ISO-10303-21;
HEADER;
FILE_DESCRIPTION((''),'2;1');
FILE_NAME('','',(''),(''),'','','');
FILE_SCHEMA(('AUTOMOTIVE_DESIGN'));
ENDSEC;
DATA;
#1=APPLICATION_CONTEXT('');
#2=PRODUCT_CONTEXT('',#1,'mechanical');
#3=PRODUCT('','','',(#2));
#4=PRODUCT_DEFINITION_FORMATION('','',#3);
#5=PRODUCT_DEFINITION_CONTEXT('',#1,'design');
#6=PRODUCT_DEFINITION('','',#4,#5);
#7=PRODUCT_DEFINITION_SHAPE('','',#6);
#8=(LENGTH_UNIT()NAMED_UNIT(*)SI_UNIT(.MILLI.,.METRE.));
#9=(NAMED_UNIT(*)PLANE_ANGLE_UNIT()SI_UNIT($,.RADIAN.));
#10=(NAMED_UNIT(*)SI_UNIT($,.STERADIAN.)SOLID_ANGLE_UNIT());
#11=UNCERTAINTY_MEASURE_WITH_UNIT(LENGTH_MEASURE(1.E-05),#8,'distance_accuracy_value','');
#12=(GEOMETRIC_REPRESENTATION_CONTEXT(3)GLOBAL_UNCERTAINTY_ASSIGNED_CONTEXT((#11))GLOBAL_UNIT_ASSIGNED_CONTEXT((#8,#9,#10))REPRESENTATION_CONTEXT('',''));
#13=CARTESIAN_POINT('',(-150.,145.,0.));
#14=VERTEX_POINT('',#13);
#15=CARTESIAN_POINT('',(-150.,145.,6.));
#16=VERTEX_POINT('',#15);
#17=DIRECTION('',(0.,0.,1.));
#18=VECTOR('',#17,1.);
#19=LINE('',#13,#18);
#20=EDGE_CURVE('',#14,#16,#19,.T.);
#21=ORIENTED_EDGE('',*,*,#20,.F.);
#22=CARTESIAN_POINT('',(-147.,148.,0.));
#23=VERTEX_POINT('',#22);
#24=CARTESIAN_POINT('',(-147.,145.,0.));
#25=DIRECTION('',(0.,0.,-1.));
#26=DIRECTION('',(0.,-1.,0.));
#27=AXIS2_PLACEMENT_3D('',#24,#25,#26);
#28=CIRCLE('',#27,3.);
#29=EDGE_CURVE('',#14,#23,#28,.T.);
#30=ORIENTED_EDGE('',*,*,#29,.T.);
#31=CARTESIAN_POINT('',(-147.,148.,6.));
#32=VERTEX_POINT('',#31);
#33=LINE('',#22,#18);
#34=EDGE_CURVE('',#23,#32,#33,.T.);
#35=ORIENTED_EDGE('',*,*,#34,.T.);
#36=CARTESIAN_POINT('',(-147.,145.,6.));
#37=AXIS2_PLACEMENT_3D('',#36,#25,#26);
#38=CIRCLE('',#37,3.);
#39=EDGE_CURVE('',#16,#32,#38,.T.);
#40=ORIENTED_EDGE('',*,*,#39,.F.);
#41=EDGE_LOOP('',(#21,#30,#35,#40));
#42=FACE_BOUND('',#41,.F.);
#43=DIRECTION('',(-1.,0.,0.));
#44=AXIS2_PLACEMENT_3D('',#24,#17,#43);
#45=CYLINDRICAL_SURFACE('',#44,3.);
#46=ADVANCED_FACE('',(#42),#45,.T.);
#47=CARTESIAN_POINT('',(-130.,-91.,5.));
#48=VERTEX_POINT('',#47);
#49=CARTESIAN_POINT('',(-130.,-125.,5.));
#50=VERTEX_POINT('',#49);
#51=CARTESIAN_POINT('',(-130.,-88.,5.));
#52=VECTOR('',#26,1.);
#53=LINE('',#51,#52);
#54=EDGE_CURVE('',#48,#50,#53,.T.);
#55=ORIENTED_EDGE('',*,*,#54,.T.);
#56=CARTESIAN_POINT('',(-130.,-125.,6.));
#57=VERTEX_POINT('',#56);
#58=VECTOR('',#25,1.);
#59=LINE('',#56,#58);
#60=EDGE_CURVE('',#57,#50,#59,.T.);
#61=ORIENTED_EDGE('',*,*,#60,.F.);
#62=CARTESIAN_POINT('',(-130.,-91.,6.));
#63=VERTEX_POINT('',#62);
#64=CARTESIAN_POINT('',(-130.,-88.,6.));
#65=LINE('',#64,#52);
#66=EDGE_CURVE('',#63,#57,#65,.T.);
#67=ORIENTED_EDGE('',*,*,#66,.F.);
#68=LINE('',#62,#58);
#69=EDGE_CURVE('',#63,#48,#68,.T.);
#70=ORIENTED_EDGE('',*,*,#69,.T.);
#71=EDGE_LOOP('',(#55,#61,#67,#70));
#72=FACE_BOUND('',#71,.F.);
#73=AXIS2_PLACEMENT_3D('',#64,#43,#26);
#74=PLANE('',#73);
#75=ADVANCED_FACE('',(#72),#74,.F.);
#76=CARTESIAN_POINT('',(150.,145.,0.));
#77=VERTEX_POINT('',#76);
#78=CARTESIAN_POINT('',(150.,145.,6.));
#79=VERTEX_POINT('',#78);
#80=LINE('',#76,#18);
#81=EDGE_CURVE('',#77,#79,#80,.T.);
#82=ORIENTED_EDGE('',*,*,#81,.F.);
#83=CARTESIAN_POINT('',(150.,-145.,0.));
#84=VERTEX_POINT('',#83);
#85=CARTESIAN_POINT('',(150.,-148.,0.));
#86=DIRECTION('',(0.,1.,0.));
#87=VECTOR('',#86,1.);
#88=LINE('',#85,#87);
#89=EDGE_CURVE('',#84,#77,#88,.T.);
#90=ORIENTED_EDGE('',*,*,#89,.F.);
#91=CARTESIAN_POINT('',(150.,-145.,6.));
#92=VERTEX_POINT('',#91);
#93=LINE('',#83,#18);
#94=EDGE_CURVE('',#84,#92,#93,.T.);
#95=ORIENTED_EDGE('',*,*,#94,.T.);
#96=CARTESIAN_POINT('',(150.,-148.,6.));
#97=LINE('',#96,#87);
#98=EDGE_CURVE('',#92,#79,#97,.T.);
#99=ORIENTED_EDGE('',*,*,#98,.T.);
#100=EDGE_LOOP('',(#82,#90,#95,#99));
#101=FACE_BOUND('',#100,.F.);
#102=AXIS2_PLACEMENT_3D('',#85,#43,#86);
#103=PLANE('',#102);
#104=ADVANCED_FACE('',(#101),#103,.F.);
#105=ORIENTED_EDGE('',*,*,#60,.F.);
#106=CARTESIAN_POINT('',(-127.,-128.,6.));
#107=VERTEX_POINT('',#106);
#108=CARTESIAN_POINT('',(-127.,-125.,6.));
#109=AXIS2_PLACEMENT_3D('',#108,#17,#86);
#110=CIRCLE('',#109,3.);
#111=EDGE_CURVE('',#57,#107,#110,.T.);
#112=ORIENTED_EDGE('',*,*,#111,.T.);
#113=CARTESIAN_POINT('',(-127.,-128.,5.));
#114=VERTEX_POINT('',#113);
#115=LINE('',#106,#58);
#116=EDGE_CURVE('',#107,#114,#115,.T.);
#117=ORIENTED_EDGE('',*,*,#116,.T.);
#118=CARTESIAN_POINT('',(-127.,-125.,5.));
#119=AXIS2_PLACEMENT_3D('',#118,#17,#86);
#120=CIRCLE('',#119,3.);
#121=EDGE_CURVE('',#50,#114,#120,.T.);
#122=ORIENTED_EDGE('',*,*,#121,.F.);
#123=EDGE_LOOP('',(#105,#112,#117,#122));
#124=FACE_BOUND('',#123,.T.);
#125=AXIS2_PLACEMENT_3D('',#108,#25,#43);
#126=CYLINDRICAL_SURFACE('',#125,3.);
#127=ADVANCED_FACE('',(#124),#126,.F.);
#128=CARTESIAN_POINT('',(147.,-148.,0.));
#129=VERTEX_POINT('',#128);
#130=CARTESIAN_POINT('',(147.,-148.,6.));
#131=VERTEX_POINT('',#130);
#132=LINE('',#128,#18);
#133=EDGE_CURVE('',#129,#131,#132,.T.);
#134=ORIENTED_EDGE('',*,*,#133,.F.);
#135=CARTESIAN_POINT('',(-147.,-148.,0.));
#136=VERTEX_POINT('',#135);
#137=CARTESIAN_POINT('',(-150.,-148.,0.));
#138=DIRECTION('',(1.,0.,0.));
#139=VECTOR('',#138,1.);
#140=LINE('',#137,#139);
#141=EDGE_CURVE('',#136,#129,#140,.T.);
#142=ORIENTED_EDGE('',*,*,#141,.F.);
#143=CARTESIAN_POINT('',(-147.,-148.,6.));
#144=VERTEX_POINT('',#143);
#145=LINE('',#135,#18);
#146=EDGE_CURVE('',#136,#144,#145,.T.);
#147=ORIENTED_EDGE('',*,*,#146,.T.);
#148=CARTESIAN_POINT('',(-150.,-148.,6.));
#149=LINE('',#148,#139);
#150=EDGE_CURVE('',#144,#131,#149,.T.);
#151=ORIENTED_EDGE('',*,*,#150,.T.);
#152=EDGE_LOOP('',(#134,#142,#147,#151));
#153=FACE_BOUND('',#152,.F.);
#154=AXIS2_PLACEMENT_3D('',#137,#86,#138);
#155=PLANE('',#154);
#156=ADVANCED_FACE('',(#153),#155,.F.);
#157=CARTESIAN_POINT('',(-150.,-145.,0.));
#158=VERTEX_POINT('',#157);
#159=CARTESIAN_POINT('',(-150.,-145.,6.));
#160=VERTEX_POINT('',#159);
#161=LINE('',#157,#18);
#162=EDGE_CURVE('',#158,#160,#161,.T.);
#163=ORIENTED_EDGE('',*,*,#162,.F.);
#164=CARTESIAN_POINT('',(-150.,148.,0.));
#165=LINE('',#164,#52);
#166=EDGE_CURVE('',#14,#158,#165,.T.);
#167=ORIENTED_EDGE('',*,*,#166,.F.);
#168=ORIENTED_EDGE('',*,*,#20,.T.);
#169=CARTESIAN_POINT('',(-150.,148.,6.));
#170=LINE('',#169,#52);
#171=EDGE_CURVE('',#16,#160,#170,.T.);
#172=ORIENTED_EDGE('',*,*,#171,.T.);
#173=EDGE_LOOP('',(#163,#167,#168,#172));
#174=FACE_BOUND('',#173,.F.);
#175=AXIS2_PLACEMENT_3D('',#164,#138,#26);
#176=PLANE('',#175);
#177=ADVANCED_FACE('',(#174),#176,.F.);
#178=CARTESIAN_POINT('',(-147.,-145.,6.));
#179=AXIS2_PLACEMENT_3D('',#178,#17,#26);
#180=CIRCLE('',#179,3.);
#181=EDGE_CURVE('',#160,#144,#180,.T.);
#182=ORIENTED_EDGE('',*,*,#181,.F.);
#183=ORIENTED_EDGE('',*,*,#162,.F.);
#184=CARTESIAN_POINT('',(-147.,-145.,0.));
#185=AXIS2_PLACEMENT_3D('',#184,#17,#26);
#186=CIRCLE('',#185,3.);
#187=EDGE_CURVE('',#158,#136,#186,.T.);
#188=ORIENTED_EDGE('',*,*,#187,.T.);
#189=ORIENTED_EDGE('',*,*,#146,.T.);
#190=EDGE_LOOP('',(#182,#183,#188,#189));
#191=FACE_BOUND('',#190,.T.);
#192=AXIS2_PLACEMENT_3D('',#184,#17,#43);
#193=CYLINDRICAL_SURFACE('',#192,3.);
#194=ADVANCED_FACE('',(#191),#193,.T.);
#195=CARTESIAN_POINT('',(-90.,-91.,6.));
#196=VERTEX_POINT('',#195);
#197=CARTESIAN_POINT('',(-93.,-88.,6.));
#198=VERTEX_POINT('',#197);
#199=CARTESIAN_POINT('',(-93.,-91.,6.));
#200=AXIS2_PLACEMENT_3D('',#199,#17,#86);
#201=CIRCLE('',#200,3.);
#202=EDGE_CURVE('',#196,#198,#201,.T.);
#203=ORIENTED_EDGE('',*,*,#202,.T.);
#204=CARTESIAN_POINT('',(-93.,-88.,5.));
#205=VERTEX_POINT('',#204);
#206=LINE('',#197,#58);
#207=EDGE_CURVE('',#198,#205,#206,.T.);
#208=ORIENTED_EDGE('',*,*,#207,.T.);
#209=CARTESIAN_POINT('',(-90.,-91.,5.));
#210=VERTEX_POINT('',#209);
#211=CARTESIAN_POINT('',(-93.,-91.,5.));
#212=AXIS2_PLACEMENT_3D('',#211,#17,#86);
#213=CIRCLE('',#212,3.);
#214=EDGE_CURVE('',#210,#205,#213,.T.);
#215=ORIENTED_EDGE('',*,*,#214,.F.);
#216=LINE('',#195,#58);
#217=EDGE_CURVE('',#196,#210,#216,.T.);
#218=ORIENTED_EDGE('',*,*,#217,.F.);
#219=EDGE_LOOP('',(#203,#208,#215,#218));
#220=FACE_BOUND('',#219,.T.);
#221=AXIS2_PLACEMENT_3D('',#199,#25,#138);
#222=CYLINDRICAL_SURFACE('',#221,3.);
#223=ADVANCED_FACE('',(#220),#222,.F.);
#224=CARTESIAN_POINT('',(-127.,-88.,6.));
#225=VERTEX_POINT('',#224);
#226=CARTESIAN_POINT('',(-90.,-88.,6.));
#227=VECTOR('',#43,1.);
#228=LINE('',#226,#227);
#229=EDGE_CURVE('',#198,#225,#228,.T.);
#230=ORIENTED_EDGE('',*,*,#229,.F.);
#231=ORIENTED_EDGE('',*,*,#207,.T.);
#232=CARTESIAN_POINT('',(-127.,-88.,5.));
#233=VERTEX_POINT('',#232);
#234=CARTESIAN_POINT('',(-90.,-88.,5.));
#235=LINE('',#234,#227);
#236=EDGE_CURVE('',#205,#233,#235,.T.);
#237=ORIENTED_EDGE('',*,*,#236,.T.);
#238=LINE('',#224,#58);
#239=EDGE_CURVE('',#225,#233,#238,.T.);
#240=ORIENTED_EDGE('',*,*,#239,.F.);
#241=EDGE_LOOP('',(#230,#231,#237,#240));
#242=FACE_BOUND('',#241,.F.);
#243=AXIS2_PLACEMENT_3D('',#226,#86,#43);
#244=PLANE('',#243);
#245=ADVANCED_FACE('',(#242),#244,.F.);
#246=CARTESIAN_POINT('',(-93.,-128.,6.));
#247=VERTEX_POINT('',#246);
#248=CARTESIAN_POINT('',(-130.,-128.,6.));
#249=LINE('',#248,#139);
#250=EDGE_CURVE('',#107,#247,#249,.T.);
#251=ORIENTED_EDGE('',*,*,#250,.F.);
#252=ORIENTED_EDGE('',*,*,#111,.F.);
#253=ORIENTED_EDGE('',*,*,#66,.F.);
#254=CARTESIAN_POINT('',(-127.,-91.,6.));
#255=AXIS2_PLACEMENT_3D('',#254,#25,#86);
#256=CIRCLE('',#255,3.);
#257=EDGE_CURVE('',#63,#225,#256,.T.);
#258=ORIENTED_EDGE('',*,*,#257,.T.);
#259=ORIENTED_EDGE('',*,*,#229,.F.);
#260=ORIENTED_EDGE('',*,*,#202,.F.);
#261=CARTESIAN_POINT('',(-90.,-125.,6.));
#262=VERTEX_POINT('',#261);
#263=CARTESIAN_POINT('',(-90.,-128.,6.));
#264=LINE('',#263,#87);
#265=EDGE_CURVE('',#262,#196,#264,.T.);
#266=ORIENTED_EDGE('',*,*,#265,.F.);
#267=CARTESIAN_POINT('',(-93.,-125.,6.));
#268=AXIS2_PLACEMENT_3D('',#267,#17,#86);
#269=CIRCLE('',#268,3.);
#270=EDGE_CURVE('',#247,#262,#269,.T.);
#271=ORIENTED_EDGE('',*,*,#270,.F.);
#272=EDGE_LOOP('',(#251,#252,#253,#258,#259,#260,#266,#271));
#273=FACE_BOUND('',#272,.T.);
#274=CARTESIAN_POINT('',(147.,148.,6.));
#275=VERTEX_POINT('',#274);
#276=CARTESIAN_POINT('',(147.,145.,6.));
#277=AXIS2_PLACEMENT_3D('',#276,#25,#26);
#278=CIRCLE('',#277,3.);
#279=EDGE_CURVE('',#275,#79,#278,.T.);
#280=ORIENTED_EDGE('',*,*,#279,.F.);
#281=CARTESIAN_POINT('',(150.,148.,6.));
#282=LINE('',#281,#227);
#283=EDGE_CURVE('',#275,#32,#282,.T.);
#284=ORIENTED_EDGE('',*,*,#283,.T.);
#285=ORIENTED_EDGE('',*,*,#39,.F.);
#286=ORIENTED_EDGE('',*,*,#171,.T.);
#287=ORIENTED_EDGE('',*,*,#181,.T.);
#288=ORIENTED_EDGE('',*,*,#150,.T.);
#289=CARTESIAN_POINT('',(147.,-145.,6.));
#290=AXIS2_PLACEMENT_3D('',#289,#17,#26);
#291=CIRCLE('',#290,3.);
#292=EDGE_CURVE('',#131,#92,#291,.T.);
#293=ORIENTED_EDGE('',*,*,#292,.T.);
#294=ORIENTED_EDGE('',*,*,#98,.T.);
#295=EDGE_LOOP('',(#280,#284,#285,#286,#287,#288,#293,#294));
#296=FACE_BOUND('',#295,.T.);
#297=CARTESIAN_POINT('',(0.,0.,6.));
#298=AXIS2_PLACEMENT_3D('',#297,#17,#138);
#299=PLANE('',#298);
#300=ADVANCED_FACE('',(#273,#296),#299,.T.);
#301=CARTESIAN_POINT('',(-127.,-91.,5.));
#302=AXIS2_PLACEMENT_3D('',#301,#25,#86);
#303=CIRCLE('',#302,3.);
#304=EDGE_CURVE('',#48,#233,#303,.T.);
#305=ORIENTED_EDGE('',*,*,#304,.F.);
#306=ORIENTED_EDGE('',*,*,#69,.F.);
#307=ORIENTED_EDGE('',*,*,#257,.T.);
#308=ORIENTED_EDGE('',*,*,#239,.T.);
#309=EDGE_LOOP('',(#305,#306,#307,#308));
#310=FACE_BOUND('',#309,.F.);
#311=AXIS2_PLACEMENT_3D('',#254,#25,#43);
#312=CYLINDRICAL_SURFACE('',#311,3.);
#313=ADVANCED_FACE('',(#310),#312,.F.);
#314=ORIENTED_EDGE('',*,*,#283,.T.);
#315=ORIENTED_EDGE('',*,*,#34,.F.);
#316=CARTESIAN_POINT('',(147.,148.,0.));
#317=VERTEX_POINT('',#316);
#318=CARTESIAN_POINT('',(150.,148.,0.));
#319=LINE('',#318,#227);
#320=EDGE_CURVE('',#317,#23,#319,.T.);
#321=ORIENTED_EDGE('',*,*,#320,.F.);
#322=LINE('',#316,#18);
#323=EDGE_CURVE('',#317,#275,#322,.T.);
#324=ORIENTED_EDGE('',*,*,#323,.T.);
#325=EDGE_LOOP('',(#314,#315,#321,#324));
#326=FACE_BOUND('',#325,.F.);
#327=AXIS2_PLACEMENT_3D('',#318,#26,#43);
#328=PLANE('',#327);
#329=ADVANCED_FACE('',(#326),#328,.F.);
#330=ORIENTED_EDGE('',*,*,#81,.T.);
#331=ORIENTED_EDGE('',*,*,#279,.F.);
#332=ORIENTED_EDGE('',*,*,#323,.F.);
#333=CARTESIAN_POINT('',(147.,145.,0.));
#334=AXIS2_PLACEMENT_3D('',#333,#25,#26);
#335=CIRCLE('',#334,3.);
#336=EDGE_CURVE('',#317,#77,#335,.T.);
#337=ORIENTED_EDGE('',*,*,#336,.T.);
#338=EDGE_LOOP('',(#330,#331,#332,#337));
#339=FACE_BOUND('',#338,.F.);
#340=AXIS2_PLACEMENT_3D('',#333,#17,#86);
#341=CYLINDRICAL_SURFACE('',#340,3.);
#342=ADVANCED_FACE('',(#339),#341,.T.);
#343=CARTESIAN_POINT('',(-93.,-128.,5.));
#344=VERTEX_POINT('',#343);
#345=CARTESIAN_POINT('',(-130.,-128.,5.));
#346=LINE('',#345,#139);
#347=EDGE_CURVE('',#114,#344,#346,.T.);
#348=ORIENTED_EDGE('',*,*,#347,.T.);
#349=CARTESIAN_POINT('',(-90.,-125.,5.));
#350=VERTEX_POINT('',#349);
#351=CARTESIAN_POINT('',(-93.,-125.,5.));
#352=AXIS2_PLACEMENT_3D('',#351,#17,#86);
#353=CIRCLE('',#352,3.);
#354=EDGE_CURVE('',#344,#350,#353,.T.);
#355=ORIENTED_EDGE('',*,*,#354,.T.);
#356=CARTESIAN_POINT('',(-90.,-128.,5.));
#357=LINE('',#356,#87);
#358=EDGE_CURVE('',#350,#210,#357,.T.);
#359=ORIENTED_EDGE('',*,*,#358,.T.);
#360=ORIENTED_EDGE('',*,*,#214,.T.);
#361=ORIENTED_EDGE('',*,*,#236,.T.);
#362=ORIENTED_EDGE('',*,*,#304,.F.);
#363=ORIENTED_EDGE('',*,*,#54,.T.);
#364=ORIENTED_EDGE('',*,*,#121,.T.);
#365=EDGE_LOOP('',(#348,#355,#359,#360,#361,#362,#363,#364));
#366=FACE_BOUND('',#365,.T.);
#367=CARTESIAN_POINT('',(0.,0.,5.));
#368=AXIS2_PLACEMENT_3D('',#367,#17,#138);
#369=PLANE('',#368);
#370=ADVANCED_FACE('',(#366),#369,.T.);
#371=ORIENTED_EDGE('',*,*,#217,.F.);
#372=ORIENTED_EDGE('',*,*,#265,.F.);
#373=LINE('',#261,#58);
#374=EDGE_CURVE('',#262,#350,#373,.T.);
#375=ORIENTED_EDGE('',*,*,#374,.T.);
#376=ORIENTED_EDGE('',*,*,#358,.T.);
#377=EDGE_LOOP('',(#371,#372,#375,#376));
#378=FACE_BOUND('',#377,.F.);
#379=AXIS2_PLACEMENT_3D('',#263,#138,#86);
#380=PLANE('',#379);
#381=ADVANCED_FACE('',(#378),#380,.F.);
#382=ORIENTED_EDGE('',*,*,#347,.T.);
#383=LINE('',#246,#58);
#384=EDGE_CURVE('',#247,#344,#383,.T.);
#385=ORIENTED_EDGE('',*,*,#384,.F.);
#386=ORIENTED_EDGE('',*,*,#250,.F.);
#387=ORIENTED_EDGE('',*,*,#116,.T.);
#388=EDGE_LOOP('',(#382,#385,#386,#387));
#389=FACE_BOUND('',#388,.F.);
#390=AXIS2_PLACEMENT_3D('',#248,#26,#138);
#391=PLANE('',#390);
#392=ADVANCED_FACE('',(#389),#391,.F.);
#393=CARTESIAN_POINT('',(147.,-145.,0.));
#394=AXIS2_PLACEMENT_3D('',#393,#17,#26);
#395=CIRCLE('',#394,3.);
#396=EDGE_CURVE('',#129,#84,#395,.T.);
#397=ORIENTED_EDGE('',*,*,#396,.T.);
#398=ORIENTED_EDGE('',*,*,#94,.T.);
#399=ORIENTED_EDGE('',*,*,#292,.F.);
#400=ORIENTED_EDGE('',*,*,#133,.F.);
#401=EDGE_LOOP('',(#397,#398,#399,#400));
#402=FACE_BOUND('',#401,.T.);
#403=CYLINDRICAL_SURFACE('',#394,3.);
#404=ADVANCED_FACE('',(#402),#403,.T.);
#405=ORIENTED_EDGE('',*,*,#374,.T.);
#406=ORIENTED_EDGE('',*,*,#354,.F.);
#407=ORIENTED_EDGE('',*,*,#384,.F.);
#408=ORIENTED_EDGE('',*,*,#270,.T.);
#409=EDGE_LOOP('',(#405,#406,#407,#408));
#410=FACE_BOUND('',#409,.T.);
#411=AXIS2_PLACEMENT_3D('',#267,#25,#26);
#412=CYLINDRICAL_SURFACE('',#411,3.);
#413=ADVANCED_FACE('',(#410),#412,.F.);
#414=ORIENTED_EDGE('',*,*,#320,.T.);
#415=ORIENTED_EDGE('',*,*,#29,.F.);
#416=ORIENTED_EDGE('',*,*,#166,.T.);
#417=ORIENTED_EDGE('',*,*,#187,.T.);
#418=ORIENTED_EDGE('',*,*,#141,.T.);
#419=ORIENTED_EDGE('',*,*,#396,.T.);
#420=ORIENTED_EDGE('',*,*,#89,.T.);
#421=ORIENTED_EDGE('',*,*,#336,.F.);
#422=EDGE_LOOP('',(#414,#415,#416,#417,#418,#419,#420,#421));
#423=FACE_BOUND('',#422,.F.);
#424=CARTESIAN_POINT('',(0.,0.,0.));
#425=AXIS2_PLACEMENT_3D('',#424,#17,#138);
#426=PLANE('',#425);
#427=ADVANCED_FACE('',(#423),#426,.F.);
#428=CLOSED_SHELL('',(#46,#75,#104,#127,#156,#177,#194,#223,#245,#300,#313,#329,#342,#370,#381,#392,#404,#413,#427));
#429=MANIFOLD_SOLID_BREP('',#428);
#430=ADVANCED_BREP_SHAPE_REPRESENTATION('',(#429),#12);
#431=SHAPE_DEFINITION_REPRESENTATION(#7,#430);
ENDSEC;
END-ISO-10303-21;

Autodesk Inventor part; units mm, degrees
ref_plane "YZ Plane" through (0, 0, 0) normal (1, 0, 0) x (0, 1, 0)
ref_plane "XZ Plane" through (0, 0, 0) normal (0, 1, 0) x (-1, 0, 0)
ref_plane "XY Plane" through (0, 0, 0) normal (0, 0, 1) x (1, 0, 0)
sketch "Sketch1" plane through (0, 0, 0) normal (0, 0, 1) x (1, 0, 0)
  line L0 (-150, -148) -> (150, -148)
  line L1 (150, -148) -> (150, 148)
  line L2 (150, 148) -> (-150, 148)
  line L3 (-150, 148) -> (-150, -148)
  line L4 (-150, -148) -> (150, 148) construction
  line L5 (150, -148) -> (-150, 148) construction
  point P0 (0, 0)
  dimension "d0" = 296
  dimension "d1" = 300
extrude "Extrusion1" add sketch "Sketch1" along normal blind 6
sketch "Sketch2" plane through (0, 0, 6) normal (0, 0, 1) x (1, 0, 0)
  line L0 (-130, -128) -> (-90, -128)
  line L1 (-90, -128) -> (-90, -88)
  line L2 (-90, -88) -> (-130, -88)
  line L3 (-130, -88) -> (-130, -128)
  line L4 (-150, 148) -> (-150, -148) projected
  line L5 (-150, -148) -> (150, -148) projected
  point P0 (0, 0)
  dimension "d4" = 20
  dimension "d5" = 20
  dimension "d6" = 40
  dimension "d7" = 40
extrude "Extrusion2" cut sketch "Sketch2" against normal blind 1
fillet "Fillet1" radius 3 4 edges at (-130, -88, 5.5) (-90, -88, 5.5) (-90, -128, 5.5) (-130, -128, 5.5)
fillet "Fillet2" radius 3 4 edges at (-150, -148, 3) (150, -148, 3) (150, 148, 3) (-150, 148, 3)
equation "\"d5\" = d4"
properties part number "VacuumTableAdjustmentPlate"
